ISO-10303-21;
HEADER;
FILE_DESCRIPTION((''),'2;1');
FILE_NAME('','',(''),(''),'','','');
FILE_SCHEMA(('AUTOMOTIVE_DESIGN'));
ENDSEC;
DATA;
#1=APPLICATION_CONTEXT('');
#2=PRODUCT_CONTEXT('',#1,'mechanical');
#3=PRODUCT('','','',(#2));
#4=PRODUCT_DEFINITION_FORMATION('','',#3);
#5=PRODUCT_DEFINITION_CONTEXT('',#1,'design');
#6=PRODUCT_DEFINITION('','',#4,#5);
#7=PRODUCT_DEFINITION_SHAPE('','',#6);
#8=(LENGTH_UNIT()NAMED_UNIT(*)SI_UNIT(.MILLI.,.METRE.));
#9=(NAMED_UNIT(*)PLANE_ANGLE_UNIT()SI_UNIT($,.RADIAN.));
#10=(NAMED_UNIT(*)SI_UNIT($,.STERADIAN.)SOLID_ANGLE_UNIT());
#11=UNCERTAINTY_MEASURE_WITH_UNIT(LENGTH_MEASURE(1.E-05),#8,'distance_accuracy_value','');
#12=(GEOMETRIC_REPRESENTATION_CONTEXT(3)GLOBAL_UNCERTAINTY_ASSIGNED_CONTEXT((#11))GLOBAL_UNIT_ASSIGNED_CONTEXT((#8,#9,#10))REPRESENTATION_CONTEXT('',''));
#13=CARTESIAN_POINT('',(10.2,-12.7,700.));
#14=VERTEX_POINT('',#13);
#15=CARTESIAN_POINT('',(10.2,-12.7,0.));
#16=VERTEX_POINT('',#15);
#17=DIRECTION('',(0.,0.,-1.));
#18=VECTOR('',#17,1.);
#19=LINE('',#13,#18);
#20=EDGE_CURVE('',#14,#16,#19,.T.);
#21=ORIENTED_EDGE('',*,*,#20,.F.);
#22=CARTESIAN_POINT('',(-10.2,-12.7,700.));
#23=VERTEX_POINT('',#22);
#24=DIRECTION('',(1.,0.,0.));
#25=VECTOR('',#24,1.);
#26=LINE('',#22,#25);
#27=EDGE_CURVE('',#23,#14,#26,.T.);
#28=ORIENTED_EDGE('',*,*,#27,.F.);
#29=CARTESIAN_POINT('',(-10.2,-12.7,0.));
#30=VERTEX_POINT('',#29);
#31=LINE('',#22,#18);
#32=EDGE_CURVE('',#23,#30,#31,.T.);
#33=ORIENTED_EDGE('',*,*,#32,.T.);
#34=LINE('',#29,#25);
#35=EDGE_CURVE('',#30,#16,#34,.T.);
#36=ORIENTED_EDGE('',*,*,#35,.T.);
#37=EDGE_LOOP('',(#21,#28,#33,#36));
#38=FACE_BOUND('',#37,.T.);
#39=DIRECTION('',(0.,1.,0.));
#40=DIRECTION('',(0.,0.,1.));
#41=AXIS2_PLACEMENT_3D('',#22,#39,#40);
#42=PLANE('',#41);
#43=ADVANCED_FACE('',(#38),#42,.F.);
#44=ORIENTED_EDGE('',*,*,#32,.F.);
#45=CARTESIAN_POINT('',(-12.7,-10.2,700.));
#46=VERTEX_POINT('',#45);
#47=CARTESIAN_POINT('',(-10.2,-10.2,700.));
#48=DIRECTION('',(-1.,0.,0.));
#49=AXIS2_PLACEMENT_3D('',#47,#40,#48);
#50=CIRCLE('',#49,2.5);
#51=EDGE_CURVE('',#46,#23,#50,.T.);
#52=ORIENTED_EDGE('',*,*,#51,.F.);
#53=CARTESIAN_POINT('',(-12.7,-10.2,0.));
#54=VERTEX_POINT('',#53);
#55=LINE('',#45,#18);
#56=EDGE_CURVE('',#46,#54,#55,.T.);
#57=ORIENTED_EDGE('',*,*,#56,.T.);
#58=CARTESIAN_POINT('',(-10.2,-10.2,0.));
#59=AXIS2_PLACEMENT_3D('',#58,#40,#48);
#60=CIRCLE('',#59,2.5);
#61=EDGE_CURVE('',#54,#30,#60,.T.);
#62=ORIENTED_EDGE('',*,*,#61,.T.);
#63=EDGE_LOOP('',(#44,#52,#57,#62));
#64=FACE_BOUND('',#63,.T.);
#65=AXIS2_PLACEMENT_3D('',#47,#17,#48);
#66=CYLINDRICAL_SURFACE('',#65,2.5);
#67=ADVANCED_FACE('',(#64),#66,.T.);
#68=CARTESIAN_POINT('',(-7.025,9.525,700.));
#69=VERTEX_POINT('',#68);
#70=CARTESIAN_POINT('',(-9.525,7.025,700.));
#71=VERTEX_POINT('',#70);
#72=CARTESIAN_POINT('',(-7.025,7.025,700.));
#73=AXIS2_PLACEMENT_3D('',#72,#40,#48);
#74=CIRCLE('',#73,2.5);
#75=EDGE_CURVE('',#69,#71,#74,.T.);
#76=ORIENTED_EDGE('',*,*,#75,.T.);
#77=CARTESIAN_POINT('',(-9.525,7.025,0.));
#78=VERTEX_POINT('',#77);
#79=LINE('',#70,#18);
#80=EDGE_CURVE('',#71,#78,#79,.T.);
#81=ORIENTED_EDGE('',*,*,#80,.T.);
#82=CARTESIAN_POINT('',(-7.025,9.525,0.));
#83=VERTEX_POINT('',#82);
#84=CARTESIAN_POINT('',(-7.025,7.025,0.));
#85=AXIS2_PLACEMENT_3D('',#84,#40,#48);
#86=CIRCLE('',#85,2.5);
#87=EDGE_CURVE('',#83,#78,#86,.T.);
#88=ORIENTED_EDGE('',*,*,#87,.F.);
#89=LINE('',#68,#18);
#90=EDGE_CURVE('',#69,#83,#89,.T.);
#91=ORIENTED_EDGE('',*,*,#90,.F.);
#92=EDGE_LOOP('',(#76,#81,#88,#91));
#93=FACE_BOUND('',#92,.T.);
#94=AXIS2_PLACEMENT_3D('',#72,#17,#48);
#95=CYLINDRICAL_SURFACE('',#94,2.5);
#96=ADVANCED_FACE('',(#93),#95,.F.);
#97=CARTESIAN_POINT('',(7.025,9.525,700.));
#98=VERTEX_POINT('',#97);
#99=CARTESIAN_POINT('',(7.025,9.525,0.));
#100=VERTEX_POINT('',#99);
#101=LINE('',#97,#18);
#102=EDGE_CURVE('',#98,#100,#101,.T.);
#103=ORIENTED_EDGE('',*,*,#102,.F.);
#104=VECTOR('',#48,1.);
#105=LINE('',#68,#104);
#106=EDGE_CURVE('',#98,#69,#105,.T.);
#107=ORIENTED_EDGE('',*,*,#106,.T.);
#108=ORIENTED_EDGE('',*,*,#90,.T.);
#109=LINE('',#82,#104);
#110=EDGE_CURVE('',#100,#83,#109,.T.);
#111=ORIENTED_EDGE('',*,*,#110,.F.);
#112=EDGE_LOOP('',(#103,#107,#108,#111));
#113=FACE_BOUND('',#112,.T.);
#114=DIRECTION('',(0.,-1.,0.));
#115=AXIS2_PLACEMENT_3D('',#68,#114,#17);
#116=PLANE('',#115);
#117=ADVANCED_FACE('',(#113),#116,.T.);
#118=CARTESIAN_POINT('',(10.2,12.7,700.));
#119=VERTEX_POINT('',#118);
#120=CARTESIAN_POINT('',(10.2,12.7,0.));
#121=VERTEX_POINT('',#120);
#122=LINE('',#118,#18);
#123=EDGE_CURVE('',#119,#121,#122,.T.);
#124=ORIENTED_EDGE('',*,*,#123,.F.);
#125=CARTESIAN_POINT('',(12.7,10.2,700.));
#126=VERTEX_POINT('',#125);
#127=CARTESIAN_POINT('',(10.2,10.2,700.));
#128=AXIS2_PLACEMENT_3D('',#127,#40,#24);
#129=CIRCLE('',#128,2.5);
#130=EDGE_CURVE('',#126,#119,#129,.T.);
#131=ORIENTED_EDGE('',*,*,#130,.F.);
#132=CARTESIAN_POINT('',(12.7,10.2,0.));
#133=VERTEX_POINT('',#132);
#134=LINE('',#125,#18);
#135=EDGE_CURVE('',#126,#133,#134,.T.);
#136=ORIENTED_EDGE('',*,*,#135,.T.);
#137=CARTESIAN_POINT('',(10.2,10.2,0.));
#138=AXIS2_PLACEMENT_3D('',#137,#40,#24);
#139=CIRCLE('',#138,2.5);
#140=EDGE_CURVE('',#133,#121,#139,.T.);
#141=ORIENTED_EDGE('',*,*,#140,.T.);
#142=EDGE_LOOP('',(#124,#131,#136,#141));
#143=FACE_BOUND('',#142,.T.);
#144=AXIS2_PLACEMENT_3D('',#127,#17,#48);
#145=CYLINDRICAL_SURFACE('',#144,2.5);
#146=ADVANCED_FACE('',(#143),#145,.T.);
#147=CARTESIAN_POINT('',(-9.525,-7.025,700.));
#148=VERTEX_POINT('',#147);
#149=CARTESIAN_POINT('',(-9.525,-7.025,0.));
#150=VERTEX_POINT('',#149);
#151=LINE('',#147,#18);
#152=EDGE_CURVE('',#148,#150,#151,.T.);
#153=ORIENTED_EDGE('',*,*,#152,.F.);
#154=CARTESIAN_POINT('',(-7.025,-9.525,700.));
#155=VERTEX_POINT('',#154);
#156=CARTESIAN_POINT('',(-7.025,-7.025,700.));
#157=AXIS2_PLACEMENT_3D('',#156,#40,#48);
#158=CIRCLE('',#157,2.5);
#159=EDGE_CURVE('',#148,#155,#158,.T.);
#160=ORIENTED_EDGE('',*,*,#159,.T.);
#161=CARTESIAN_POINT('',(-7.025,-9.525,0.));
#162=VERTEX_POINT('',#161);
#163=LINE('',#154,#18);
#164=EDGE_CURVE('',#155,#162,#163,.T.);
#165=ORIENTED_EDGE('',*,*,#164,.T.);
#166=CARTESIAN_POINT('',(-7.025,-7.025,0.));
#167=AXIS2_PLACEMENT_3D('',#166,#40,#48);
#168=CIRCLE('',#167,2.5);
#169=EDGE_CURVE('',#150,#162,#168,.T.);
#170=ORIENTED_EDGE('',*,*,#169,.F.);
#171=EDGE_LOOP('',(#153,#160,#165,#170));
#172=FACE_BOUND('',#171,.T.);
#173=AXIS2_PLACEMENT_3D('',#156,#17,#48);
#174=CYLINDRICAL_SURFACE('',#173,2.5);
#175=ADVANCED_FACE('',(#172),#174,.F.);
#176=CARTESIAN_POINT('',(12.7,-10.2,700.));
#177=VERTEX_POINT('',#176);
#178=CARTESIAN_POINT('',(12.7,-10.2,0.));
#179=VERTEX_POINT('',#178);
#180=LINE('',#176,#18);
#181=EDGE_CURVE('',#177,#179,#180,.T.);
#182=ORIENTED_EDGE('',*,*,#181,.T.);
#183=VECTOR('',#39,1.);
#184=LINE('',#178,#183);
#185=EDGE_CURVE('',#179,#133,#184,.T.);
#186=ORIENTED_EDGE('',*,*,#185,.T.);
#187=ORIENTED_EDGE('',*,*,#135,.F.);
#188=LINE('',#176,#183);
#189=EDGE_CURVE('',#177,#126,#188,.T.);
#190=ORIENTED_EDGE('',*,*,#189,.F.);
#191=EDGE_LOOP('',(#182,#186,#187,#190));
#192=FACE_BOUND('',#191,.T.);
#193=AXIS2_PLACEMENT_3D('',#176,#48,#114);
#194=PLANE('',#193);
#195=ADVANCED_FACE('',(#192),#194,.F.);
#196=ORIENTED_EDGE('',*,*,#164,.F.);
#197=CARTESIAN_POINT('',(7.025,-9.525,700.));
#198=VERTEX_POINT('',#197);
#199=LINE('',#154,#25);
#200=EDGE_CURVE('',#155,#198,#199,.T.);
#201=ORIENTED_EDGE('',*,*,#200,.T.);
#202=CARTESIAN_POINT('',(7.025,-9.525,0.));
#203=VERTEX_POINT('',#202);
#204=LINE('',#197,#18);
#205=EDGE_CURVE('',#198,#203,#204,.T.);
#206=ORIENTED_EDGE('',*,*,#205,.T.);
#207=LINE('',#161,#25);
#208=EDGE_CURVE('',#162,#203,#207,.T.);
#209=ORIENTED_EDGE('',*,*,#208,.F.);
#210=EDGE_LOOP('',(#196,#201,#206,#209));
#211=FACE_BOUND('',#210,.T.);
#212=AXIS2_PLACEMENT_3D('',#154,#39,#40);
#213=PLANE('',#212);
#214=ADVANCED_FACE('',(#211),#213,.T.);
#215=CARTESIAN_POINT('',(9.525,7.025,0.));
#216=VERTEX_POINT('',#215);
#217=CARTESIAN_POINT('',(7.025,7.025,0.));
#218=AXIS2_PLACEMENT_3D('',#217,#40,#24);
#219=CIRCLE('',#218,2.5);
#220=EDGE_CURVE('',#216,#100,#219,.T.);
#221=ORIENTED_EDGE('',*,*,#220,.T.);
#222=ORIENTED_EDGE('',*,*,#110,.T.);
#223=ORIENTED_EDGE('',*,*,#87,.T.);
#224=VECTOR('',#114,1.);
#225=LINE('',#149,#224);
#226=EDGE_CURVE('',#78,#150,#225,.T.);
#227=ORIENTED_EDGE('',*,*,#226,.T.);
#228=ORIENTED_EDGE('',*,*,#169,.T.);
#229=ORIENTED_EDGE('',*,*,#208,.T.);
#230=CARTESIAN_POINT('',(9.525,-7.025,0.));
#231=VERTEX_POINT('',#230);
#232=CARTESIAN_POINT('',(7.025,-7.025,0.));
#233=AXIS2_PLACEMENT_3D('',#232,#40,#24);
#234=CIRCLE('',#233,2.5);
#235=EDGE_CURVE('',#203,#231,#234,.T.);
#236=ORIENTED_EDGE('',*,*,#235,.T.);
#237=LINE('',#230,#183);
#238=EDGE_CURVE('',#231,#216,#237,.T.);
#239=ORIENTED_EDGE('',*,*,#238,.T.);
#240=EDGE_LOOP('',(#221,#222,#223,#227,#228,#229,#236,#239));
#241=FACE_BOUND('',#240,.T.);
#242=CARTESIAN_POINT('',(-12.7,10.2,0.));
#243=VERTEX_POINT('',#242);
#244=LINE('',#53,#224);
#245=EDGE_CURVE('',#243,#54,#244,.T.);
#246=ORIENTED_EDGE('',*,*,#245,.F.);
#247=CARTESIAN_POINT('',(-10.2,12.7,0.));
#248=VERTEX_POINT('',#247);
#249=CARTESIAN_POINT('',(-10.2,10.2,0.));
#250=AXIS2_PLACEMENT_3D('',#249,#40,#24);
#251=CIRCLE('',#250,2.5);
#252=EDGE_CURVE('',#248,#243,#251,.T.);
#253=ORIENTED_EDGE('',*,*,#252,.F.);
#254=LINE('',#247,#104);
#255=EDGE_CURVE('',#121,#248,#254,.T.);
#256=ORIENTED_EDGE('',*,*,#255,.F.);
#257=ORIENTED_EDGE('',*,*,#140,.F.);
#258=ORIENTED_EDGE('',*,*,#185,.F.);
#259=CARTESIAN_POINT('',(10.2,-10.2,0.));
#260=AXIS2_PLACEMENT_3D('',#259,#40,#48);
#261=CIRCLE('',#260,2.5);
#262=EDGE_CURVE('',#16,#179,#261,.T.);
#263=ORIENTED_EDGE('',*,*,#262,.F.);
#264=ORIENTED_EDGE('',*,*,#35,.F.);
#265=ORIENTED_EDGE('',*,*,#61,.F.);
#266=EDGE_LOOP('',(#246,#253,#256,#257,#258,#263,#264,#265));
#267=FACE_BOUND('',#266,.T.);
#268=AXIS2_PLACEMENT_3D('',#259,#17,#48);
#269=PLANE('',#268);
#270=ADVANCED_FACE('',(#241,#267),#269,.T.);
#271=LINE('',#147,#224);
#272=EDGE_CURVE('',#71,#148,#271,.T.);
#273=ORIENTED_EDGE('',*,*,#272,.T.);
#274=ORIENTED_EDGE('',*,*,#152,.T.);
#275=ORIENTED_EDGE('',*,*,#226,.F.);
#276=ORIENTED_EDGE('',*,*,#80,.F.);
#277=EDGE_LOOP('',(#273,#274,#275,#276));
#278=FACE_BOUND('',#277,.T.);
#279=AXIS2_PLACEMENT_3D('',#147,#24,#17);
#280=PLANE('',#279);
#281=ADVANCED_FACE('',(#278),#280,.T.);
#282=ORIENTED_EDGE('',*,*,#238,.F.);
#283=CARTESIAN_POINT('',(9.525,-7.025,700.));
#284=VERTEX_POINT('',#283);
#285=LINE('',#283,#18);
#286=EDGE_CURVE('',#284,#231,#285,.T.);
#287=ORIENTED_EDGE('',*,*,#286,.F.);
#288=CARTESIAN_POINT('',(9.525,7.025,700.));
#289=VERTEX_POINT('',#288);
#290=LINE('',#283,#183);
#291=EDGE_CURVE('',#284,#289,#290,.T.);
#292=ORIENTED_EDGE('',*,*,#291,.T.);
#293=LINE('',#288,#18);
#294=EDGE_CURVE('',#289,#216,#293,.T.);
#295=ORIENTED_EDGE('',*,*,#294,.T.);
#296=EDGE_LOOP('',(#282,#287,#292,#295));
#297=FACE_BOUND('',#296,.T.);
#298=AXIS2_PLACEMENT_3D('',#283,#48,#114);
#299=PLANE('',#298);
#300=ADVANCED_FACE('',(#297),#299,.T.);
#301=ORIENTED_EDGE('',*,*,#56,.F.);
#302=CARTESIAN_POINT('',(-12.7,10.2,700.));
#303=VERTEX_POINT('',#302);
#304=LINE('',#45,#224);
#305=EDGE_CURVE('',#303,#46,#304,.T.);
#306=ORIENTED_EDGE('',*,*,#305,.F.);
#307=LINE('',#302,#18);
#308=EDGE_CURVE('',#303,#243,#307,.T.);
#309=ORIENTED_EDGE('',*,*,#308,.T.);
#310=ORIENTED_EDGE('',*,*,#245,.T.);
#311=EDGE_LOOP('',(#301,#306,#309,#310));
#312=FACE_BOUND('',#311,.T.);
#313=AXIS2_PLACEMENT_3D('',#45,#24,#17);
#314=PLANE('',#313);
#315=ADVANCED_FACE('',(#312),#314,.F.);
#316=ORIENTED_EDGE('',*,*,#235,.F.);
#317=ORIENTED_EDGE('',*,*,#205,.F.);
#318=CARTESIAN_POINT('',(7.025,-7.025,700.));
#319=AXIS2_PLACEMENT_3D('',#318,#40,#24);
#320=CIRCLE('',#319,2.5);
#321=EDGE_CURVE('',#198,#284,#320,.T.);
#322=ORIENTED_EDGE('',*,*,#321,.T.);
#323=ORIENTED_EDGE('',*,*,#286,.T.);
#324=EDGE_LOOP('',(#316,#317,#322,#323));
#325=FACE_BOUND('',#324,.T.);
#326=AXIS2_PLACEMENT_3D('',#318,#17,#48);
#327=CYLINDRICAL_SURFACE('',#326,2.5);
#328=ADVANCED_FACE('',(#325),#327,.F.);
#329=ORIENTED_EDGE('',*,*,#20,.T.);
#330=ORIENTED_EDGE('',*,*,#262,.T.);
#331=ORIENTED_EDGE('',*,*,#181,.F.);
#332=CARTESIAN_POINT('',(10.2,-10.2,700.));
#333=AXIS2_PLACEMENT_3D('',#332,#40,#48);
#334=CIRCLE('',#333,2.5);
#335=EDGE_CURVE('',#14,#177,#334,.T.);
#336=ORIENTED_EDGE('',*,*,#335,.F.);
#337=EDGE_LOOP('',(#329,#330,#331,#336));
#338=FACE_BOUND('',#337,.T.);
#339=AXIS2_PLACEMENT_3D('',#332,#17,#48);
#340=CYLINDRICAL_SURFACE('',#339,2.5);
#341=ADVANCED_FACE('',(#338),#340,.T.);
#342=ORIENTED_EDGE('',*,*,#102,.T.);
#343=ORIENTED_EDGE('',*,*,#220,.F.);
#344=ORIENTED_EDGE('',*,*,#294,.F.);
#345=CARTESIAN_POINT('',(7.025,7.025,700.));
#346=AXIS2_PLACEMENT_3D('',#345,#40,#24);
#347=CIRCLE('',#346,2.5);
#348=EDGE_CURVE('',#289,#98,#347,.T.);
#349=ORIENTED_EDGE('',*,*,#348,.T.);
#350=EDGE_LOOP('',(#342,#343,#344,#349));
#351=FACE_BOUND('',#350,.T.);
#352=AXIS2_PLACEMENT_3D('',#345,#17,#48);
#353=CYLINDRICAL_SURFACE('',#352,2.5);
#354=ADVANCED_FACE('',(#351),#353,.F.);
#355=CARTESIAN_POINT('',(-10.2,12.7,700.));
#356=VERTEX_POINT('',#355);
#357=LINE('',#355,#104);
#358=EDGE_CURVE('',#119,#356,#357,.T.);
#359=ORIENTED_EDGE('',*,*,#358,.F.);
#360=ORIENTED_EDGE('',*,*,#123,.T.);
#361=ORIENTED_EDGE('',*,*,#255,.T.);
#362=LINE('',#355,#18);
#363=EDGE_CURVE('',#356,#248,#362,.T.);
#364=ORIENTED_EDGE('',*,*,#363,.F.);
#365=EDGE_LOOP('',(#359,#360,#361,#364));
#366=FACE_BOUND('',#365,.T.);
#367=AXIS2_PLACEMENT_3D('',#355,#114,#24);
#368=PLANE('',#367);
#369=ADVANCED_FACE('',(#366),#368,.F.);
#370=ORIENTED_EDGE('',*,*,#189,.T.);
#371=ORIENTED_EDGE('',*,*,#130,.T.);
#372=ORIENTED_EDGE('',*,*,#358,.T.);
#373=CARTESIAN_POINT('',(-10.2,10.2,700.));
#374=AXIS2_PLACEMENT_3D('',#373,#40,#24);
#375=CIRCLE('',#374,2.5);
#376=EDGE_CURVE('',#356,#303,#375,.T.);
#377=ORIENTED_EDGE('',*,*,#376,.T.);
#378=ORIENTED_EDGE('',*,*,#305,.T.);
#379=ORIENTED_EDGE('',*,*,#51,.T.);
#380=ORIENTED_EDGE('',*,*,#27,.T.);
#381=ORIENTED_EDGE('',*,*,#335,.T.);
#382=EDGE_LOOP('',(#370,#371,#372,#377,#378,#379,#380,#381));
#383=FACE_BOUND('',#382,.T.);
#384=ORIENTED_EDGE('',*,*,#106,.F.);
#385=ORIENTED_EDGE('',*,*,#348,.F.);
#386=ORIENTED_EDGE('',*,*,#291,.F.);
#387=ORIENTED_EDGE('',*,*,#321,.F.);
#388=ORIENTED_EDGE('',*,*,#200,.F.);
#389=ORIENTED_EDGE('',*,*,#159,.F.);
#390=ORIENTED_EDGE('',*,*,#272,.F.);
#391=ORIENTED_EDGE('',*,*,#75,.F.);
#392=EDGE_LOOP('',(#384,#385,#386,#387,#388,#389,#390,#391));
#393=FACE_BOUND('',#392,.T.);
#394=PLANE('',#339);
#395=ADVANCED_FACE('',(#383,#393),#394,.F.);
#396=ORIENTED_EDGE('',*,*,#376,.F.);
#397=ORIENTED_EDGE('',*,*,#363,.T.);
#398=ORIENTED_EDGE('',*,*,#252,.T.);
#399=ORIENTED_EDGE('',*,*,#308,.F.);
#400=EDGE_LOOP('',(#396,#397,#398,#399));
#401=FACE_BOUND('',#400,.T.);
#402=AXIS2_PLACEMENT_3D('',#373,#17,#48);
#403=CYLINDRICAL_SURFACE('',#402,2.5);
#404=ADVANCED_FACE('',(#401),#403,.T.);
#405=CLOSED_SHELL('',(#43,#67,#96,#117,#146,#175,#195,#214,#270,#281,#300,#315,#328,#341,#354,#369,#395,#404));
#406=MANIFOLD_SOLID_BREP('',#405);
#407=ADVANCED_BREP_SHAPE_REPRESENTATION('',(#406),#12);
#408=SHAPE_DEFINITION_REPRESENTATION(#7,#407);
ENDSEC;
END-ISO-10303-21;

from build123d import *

# Parameters (mm, degrees)
SALIENTE_EXTRUIR1_DEPTH = 700


with BuildPart() as part:
    # Croquis1 → Saliente-Extruir1 (new body)
    with BuildSketch(Plane.XY):
        with BuildLine():
            Line((-10.2, -12.7), (10.2, -12.7))
            ThreePointArc((10.2, -12.7), (11.967766953, -11.967766953), (12.7, -10.2))
            Line((12.7, -10.2), (12.7, 10.2))
            ThreePointArc((12.7, 10.2), (11.967766953, 11.967766953), (10.2, 12.7))
            Line((10.2, 12.7), (-10.2, 12.7))
            ThreePointArc((-10.2, 12.7), (-11.967766953, 11.967766953), (-12.7, 10.2))
            Line((-12.7, 10.2), (-12.7, -10.2))
            ThreePointArc((-12.7, -10.2), (-11.967766953, -11.967766953), (-10.2, -12.7))
        make_face()
        with BuildLine():
            Line((-7.025, -9.525), (7.025, -9.525))
            ThreePointArc((7.025, -9.525), (8.792766953, -8.792766953), (9.525, -7.025))
            Line((9.525, -7.025), (9.525, 7.025))
            ThreePointArc((9.525, 7.025), (8.792766953, 8.792766953), (7.025, 9.525))
            Line((7.025, 9.525), (-7.025, 9.525))
            ThreePointArc((-7.025, 9.525), (-8.792766953, 8.792766953), (-9.525, 7.025))
            Line((-9.525, 7.025), (-9.525, -7.025))
            ThreePointArc((-9.525, -7.025), (-8.792766953, -8.792766953), (-7.025, -9.525))
        make_face(mode=Mode.SUBTRACT)
    extrude(amount=SALIENTE_EXTRUIR1_DEPTH)


solid = part.part
